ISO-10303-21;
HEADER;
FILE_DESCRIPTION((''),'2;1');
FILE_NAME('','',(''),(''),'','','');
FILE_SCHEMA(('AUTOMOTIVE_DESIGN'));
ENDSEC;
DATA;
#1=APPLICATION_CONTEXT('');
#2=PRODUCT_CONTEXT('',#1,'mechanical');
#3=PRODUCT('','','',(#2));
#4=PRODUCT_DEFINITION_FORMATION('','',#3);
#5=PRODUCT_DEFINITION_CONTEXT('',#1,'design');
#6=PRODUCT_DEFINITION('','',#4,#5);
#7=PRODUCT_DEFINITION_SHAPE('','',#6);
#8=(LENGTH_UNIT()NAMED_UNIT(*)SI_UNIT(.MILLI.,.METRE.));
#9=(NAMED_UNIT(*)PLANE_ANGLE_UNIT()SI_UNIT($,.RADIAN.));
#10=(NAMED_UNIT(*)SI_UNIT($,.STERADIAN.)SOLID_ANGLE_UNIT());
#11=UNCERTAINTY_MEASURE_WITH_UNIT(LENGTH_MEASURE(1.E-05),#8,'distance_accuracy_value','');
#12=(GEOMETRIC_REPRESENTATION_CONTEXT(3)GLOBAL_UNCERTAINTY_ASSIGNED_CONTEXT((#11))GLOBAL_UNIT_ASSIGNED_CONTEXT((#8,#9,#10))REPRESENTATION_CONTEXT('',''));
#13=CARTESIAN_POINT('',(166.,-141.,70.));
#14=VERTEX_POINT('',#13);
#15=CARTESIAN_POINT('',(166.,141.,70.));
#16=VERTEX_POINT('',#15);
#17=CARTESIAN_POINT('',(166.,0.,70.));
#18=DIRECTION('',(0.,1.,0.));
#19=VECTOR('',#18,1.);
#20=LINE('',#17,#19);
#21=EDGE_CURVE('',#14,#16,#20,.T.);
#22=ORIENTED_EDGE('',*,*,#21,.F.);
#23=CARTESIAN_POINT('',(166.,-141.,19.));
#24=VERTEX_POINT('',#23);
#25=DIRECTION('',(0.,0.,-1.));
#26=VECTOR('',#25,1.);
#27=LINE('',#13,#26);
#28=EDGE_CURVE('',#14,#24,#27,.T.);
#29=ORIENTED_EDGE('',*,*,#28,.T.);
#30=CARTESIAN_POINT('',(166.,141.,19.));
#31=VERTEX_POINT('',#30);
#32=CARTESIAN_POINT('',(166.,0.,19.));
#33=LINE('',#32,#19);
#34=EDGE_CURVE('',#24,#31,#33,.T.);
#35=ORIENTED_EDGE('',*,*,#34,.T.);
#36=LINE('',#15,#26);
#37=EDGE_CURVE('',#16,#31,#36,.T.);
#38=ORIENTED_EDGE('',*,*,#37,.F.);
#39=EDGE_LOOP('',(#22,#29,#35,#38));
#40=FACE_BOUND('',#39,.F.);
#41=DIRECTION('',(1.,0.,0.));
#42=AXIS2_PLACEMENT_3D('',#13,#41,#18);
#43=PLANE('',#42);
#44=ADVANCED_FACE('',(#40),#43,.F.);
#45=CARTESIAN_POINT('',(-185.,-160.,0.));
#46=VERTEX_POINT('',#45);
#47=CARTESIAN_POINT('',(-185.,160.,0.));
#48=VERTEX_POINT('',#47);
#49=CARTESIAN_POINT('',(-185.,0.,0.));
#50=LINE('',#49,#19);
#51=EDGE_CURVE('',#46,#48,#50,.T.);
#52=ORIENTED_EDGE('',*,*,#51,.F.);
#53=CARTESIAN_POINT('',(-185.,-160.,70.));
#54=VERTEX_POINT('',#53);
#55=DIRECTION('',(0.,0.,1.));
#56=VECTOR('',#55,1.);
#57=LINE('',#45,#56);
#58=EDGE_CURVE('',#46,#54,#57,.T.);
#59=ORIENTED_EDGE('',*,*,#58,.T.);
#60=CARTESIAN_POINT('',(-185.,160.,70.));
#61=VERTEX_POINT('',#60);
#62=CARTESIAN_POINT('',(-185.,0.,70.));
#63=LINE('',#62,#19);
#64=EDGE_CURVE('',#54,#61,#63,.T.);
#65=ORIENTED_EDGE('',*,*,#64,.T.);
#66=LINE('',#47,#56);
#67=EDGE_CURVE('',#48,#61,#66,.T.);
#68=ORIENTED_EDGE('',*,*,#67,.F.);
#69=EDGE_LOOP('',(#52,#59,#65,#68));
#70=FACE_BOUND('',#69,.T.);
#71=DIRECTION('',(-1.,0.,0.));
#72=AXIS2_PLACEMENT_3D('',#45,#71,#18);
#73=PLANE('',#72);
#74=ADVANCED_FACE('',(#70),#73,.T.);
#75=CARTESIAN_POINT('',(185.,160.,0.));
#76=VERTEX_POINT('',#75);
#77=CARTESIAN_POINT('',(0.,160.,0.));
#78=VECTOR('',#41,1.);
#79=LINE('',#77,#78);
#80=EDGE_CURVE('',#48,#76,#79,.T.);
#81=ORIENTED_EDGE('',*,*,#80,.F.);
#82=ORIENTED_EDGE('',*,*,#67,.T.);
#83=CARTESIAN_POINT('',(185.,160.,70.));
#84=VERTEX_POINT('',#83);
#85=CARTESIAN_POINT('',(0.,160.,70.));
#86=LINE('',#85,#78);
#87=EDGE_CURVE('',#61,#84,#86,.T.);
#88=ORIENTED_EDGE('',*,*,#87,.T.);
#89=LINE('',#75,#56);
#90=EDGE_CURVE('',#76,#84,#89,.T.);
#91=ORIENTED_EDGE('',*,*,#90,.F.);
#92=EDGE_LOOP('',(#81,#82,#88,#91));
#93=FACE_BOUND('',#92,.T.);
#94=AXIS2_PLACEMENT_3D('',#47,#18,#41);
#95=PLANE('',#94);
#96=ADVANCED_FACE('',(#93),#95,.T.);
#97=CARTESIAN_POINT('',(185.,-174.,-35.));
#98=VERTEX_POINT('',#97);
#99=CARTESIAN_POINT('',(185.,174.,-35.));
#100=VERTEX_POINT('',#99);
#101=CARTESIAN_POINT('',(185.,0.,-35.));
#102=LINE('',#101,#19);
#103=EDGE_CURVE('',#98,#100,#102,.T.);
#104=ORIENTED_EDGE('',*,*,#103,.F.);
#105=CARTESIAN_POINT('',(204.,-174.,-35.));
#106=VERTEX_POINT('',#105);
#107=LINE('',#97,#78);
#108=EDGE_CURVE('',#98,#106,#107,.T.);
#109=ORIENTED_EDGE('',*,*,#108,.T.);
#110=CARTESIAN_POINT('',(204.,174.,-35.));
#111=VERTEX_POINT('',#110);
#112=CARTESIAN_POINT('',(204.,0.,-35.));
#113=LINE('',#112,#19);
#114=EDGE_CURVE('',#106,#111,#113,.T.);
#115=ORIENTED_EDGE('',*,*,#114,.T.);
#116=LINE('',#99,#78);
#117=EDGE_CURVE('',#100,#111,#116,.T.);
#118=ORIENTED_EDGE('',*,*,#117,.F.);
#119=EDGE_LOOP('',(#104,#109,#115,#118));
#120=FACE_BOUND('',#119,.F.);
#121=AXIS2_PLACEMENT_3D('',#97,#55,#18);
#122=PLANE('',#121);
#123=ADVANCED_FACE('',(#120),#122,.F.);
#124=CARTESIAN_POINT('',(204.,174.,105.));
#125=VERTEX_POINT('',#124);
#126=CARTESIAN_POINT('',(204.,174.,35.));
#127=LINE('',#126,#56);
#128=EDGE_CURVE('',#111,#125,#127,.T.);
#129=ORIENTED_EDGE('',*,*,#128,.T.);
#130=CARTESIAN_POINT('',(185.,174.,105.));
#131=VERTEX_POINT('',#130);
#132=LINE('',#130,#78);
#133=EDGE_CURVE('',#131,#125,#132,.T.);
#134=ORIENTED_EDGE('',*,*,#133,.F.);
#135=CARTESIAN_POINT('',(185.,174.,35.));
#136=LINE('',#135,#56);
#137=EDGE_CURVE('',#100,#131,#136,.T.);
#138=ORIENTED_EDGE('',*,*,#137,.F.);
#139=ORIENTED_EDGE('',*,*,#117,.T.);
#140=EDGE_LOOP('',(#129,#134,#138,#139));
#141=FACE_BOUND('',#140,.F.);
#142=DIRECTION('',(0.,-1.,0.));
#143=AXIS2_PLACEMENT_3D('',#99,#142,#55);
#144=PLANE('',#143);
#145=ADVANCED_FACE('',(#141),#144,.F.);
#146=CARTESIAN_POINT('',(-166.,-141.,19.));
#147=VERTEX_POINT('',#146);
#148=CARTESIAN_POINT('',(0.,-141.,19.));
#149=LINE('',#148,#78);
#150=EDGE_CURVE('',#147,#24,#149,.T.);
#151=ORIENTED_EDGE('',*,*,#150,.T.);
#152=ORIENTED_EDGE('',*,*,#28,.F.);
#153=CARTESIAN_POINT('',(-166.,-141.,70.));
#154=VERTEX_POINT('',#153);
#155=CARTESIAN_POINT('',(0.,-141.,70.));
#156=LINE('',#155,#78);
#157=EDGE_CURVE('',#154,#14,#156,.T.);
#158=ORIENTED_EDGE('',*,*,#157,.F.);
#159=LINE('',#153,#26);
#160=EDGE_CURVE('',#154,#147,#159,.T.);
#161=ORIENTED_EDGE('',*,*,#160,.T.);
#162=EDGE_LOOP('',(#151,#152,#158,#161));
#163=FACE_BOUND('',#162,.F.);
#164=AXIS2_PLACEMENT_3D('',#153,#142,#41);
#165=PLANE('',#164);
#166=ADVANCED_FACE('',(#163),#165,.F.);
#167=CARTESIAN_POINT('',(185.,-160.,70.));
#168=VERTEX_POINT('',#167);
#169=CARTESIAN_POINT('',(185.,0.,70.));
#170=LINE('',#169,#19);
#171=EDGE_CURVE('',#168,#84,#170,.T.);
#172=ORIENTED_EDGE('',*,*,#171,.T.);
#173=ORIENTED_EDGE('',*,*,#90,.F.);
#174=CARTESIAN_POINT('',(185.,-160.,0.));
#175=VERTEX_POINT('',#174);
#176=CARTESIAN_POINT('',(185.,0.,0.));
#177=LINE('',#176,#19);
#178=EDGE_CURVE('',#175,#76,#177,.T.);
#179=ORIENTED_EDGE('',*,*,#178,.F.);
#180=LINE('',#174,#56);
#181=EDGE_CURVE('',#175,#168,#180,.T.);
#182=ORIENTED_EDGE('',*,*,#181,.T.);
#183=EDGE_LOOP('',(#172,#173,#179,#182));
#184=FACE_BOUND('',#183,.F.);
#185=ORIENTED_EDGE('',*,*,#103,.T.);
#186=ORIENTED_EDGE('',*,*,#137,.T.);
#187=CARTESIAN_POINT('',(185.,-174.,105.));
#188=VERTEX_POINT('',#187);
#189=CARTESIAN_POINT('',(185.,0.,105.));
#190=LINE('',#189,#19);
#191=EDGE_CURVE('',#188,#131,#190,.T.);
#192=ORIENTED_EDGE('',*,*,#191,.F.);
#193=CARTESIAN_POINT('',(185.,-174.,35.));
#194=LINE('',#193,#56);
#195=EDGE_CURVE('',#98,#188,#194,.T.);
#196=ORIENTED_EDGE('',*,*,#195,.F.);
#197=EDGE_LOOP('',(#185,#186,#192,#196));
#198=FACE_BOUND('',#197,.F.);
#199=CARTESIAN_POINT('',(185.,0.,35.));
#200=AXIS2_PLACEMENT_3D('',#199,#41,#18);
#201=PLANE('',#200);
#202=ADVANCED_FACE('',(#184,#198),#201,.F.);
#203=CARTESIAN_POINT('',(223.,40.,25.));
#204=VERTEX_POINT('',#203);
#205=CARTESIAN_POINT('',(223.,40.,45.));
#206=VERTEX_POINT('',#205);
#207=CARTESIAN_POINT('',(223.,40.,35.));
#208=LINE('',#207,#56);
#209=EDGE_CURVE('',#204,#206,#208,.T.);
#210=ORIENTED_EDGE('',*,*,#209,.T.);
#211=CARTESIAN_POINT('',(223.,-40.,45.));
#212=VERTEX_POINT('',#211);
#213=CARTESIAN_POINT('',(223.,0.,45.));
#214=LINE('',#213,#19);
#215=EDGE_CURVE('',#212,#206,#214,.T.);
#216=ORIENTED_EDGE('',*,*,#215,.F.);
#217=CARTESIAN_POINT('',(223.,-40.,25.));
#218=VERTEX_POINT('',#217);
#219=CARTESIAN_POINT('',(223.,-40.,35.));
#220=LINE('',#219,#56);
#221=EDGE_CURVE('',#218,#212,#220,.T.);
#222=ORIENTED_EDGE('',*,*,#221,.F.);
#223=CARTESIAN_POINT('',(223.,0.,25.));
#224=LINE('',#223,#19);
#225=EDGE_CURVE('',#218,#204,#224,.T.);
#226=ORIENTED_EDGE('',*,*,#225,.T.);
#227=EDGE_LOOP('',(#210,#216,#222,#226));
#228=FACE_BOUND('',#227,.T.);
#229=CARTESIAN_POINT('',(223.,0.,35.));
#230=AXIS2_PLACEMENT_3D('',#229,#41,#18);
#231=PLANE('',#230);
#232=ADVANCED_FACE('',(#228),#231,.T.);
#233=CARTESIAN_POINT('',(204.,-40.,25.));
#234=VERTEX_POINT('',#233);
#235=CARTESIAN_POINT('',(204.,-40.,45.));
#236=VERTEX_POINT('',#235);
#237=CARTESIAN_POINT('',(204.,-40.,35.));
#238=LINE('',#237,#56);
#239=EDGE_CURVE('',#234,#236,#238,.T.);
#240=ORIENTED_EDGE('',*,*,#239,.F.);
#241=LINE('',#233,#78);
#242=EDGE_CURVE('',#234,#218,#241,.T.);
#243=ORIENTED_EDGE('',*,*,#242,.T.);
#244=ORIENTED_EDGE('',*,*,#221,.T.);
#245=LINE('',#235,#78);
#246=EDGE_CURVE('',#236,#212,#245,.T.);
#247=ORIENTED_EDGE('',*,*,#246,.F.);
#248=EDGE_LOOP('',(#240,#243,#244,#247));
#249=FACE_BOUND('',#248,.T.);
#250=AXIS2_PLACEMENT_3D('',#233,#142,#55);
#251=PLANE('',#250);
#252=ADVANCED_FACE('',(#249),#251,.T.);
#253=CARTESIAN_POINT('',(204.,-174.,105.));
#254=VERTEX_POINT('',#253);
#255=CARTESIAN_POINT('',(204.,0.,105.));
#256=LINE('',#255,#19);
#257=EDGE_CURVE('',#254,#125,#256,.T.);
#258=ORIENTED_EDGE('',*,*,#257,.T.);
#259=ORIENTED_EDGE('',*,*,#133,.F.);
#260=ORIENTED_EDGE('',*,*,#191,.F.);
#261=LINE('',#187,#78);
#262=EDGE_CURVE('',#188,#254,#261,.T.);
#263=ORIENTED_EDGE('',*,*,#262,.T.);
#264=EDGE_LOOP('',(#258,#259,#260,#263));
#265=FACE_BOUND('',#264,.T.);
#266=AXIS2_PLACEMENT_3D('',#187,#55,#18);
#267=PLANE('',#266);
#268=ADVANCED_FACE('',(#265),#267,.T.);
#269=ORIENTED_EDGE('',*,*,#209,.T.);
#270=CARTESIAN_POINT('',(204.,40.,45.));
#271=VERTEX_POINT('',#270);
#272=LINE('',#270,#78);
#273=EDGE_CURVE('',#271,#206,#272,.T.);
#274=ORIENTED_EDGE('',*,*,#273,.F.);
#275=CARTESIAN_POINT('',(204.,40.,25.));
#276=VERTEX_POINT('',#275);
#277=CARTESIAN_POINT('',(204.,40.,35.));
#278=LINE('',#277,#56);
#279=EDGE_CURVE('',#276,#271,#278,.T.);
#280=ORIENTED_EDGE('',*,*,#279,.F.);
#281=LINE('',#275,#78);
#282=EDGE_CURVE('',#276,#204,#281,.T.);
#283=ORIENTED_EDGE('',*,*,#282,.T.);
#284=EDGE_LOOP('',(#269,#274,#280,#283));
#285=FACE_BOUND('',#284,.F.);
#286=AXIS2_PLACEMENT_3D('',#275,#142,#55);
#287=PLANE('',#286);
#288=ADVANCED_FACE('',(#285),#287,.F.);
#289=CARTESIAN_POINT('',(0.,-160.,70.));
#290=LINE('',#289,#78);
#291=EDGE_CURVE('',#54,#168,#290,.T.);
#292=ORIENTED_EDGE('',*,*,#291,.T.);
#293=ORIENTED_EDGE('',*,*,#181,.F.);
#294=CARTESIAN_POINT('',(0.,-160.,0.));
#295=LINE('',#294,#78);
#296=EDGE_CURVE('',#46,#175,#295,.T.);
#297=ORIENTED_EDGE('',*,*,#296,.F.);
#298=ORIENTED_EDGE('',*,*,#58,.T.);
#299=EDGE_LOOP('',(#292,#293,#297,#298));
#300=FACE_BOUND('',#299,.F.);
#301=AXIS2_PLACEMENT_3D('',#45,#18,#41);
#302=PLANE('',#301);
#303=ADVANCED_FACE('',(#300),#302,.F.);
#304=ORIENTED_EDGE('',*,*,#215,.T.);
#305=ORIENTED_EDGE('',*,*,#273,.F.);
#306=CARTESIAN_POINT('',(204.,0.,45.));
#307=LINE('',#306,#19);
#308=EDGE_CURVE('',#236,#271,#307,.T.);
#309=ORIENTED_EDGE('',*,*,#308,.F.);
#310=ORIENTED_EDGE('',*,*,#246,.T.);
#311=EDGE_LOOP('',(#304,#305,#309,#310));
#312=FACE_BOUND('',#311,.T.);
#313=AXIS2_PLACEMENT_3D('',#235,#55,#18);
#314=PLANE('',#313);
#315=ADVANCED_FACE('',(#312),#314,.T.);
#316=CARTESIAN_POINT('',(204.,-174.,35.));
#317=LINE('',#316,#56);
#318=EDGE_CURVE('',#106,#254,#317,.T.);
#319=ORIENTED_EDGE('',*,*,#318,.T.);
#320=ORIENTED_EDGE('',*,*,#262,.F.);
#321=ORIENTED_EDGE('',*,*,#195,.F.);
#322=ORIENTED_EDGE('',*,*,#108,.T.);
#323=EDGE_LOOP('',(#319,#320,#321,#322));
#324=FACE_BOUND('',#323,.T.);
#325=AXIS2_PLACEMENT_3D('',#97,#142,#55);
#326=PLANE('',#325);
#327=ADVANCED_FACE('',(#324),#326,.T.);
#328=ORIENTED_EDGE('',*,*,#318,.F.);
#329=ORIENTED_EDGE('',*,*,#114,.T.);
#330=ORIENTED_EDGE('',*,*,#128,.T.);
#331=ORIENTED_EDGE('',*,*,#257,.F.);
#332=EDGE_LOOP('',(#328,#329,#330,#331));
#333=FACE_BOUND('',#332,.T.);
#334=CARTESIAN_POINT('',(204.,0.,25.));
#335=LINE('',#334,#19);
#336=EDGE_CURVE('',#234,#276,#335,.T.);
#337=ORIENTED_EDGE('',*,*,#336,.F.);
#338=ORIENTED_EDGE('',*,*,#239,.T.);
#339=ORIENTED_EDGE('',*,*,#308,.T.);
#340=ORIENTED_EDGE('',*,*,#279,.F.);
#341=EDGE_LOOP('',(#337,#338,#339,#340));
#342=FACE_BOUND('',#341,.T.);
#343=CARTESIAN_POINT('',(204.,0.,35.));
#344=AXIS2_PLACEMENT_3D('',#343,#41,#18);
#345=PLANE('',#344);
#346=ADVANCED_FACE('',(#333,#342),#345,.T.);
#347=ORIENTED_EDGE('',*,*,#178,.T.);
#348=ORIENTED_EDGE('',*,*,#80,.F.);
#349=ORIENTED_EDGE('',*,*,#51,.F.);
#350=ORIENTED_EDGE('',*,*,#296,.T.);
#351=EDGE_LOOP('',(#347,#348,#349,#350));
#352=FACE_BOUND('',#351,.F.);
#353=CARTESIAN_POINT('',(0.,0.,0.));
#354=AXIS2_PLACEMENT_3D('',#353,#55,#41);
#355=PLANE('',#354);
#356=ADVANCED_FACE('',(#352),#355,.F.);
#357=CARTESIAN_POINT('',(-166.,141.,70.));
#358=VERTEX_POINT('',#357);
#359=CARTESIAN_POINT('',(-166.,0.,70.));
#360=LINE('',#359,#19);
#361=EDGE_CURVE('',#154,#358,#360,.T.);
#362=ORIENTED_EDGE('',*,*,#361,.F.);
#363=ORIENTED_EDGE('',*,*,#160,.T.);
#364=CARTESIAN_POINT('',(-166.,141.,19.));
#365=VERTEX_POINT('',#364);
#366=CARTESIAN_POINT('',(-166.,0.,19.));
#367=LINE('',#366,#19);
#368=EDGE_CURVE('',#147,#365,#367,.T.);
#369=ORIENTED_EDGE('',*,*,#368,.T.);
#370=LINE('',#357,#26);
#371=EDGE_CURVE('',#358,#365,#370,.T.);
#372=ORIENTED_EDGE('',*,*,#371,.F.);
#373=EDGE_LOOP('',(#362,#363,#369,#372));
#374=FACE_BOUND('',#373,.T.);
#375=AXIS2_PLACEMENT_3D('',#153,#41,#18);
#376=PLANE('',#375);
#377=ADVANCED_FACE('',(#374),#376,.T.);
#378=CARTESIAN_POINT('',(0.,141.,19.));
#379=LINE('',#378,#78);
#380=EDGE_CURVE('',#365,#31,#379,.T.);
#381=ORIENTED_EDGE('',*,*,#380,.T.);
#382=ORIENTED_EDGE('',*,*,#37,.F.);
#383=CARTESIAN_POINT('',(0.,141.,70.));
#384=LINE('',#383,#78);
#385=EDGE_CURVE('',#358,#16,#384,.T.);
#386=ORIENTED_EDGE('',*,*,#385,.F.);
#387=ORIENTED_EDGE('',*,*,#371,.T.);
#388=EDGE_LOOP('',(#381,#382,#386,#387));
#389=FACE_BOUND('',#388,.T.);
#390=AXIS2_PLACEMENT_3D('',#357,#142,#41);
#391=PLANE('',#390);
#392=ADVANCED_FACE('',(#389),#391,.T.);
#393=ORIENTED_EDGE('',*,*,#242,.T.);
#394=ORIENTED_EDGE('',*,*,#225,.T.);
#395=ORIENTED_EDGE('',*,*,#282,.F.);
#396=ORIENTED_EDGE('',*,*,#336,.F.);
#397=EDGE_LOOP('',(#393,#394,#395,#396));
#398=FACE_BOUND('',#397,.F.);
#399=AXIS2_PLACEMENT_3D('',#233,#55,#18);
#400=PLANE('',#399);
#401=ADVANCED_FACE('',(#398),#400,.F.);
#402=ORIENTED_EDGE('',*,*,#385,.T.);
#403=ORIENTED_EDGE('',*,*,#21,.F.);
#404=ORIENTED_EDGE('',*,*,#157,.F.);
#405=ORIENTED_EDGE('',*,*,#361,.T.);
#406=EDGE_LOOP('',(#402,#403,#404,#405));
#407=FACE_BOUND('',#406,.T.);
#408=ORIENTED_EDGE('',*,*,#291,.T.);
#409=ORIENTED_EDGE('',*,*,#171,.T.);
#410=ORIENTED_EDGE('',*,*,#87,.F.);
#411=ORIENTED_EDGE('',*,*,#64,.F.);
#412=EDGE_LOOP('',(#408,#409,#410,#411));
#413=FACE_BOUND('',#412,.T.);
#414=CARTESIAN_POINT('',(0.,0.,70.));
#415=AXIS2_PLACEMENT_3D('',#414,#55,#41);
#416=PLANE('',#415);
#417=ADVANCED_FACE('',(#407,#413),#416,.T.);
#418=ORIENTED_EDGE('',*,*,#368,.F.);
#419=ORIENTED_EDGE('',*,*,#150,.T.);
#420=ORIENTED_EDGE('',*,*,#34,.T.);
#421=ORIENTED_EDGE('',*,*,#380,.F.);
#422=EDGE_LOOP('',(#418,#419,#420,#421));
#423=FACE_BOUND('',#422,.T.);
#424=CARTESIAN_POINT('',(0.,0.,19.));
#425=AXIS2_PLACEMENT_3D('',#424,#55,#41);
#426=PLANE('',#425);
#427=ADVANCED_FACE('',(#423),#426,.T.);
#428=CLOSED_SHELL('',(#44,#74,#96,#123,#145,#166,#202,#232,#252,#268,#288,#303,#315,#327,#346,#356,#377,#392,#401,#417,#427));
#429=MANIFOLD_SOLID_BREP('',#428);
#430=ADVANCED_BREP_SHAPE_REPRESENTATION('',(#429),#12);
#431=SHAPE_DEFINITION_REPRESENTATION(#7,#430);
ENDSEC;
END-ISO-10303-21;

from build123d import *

# Parameters (mm, degrees)
F0_W     = 370
F0_H     = 320
F1_DEPTH = 70
F2_W     = 332
F2_H     = 282
F3_DEPTH = 51
F4_W     = 348
F4_H     = 140
F4_W_2   = 320
F4_H_2   = 70
F5_DEPTH = 19
F6_W     = 80
F6_H     = 20
F7_DEPTH = 19


with BuildPart() as f1:
    # F0 (on Top) → F1 (new body)
    with BuildSketch(Plane.XY):
        Rectangle(F0_W, F0_H)
    extrude(amount=F1_DEPTH)

    # F2 (on face) → F3 (cut)
    with BuildSketch(Plane.XY.offset(70)):
        Rectangle(F2_W, F2_H)
    extrude(amount=-F3_DEPTH, mode=Mode.SUBTRACT)

    # F4 (on face) → F5 (join)
    with BuildSketch(Plane.YZ.offset(185)):
        with Locations((0, 35)):
            Rectangle(F4_W, F4_H)
        with Locations((0, 35)):
            Rectangle(F4_W_2, F4_H_2, mode=Mode.SUBTRACT)
        with Locations((0, 35)):
            Rectangle(F4_W_2, F4_H_2)
    extrude(amount=F5_DEPTH)

    # F6 (on face) → F7 (join)
    with BuildSketch(Plane.YZ.offset(204)):
        with Locations((0, 35)):
            Rectangle(F6_W, F6_H)
    extrude(amount=F7_DEPTH)


solid = f1.part
